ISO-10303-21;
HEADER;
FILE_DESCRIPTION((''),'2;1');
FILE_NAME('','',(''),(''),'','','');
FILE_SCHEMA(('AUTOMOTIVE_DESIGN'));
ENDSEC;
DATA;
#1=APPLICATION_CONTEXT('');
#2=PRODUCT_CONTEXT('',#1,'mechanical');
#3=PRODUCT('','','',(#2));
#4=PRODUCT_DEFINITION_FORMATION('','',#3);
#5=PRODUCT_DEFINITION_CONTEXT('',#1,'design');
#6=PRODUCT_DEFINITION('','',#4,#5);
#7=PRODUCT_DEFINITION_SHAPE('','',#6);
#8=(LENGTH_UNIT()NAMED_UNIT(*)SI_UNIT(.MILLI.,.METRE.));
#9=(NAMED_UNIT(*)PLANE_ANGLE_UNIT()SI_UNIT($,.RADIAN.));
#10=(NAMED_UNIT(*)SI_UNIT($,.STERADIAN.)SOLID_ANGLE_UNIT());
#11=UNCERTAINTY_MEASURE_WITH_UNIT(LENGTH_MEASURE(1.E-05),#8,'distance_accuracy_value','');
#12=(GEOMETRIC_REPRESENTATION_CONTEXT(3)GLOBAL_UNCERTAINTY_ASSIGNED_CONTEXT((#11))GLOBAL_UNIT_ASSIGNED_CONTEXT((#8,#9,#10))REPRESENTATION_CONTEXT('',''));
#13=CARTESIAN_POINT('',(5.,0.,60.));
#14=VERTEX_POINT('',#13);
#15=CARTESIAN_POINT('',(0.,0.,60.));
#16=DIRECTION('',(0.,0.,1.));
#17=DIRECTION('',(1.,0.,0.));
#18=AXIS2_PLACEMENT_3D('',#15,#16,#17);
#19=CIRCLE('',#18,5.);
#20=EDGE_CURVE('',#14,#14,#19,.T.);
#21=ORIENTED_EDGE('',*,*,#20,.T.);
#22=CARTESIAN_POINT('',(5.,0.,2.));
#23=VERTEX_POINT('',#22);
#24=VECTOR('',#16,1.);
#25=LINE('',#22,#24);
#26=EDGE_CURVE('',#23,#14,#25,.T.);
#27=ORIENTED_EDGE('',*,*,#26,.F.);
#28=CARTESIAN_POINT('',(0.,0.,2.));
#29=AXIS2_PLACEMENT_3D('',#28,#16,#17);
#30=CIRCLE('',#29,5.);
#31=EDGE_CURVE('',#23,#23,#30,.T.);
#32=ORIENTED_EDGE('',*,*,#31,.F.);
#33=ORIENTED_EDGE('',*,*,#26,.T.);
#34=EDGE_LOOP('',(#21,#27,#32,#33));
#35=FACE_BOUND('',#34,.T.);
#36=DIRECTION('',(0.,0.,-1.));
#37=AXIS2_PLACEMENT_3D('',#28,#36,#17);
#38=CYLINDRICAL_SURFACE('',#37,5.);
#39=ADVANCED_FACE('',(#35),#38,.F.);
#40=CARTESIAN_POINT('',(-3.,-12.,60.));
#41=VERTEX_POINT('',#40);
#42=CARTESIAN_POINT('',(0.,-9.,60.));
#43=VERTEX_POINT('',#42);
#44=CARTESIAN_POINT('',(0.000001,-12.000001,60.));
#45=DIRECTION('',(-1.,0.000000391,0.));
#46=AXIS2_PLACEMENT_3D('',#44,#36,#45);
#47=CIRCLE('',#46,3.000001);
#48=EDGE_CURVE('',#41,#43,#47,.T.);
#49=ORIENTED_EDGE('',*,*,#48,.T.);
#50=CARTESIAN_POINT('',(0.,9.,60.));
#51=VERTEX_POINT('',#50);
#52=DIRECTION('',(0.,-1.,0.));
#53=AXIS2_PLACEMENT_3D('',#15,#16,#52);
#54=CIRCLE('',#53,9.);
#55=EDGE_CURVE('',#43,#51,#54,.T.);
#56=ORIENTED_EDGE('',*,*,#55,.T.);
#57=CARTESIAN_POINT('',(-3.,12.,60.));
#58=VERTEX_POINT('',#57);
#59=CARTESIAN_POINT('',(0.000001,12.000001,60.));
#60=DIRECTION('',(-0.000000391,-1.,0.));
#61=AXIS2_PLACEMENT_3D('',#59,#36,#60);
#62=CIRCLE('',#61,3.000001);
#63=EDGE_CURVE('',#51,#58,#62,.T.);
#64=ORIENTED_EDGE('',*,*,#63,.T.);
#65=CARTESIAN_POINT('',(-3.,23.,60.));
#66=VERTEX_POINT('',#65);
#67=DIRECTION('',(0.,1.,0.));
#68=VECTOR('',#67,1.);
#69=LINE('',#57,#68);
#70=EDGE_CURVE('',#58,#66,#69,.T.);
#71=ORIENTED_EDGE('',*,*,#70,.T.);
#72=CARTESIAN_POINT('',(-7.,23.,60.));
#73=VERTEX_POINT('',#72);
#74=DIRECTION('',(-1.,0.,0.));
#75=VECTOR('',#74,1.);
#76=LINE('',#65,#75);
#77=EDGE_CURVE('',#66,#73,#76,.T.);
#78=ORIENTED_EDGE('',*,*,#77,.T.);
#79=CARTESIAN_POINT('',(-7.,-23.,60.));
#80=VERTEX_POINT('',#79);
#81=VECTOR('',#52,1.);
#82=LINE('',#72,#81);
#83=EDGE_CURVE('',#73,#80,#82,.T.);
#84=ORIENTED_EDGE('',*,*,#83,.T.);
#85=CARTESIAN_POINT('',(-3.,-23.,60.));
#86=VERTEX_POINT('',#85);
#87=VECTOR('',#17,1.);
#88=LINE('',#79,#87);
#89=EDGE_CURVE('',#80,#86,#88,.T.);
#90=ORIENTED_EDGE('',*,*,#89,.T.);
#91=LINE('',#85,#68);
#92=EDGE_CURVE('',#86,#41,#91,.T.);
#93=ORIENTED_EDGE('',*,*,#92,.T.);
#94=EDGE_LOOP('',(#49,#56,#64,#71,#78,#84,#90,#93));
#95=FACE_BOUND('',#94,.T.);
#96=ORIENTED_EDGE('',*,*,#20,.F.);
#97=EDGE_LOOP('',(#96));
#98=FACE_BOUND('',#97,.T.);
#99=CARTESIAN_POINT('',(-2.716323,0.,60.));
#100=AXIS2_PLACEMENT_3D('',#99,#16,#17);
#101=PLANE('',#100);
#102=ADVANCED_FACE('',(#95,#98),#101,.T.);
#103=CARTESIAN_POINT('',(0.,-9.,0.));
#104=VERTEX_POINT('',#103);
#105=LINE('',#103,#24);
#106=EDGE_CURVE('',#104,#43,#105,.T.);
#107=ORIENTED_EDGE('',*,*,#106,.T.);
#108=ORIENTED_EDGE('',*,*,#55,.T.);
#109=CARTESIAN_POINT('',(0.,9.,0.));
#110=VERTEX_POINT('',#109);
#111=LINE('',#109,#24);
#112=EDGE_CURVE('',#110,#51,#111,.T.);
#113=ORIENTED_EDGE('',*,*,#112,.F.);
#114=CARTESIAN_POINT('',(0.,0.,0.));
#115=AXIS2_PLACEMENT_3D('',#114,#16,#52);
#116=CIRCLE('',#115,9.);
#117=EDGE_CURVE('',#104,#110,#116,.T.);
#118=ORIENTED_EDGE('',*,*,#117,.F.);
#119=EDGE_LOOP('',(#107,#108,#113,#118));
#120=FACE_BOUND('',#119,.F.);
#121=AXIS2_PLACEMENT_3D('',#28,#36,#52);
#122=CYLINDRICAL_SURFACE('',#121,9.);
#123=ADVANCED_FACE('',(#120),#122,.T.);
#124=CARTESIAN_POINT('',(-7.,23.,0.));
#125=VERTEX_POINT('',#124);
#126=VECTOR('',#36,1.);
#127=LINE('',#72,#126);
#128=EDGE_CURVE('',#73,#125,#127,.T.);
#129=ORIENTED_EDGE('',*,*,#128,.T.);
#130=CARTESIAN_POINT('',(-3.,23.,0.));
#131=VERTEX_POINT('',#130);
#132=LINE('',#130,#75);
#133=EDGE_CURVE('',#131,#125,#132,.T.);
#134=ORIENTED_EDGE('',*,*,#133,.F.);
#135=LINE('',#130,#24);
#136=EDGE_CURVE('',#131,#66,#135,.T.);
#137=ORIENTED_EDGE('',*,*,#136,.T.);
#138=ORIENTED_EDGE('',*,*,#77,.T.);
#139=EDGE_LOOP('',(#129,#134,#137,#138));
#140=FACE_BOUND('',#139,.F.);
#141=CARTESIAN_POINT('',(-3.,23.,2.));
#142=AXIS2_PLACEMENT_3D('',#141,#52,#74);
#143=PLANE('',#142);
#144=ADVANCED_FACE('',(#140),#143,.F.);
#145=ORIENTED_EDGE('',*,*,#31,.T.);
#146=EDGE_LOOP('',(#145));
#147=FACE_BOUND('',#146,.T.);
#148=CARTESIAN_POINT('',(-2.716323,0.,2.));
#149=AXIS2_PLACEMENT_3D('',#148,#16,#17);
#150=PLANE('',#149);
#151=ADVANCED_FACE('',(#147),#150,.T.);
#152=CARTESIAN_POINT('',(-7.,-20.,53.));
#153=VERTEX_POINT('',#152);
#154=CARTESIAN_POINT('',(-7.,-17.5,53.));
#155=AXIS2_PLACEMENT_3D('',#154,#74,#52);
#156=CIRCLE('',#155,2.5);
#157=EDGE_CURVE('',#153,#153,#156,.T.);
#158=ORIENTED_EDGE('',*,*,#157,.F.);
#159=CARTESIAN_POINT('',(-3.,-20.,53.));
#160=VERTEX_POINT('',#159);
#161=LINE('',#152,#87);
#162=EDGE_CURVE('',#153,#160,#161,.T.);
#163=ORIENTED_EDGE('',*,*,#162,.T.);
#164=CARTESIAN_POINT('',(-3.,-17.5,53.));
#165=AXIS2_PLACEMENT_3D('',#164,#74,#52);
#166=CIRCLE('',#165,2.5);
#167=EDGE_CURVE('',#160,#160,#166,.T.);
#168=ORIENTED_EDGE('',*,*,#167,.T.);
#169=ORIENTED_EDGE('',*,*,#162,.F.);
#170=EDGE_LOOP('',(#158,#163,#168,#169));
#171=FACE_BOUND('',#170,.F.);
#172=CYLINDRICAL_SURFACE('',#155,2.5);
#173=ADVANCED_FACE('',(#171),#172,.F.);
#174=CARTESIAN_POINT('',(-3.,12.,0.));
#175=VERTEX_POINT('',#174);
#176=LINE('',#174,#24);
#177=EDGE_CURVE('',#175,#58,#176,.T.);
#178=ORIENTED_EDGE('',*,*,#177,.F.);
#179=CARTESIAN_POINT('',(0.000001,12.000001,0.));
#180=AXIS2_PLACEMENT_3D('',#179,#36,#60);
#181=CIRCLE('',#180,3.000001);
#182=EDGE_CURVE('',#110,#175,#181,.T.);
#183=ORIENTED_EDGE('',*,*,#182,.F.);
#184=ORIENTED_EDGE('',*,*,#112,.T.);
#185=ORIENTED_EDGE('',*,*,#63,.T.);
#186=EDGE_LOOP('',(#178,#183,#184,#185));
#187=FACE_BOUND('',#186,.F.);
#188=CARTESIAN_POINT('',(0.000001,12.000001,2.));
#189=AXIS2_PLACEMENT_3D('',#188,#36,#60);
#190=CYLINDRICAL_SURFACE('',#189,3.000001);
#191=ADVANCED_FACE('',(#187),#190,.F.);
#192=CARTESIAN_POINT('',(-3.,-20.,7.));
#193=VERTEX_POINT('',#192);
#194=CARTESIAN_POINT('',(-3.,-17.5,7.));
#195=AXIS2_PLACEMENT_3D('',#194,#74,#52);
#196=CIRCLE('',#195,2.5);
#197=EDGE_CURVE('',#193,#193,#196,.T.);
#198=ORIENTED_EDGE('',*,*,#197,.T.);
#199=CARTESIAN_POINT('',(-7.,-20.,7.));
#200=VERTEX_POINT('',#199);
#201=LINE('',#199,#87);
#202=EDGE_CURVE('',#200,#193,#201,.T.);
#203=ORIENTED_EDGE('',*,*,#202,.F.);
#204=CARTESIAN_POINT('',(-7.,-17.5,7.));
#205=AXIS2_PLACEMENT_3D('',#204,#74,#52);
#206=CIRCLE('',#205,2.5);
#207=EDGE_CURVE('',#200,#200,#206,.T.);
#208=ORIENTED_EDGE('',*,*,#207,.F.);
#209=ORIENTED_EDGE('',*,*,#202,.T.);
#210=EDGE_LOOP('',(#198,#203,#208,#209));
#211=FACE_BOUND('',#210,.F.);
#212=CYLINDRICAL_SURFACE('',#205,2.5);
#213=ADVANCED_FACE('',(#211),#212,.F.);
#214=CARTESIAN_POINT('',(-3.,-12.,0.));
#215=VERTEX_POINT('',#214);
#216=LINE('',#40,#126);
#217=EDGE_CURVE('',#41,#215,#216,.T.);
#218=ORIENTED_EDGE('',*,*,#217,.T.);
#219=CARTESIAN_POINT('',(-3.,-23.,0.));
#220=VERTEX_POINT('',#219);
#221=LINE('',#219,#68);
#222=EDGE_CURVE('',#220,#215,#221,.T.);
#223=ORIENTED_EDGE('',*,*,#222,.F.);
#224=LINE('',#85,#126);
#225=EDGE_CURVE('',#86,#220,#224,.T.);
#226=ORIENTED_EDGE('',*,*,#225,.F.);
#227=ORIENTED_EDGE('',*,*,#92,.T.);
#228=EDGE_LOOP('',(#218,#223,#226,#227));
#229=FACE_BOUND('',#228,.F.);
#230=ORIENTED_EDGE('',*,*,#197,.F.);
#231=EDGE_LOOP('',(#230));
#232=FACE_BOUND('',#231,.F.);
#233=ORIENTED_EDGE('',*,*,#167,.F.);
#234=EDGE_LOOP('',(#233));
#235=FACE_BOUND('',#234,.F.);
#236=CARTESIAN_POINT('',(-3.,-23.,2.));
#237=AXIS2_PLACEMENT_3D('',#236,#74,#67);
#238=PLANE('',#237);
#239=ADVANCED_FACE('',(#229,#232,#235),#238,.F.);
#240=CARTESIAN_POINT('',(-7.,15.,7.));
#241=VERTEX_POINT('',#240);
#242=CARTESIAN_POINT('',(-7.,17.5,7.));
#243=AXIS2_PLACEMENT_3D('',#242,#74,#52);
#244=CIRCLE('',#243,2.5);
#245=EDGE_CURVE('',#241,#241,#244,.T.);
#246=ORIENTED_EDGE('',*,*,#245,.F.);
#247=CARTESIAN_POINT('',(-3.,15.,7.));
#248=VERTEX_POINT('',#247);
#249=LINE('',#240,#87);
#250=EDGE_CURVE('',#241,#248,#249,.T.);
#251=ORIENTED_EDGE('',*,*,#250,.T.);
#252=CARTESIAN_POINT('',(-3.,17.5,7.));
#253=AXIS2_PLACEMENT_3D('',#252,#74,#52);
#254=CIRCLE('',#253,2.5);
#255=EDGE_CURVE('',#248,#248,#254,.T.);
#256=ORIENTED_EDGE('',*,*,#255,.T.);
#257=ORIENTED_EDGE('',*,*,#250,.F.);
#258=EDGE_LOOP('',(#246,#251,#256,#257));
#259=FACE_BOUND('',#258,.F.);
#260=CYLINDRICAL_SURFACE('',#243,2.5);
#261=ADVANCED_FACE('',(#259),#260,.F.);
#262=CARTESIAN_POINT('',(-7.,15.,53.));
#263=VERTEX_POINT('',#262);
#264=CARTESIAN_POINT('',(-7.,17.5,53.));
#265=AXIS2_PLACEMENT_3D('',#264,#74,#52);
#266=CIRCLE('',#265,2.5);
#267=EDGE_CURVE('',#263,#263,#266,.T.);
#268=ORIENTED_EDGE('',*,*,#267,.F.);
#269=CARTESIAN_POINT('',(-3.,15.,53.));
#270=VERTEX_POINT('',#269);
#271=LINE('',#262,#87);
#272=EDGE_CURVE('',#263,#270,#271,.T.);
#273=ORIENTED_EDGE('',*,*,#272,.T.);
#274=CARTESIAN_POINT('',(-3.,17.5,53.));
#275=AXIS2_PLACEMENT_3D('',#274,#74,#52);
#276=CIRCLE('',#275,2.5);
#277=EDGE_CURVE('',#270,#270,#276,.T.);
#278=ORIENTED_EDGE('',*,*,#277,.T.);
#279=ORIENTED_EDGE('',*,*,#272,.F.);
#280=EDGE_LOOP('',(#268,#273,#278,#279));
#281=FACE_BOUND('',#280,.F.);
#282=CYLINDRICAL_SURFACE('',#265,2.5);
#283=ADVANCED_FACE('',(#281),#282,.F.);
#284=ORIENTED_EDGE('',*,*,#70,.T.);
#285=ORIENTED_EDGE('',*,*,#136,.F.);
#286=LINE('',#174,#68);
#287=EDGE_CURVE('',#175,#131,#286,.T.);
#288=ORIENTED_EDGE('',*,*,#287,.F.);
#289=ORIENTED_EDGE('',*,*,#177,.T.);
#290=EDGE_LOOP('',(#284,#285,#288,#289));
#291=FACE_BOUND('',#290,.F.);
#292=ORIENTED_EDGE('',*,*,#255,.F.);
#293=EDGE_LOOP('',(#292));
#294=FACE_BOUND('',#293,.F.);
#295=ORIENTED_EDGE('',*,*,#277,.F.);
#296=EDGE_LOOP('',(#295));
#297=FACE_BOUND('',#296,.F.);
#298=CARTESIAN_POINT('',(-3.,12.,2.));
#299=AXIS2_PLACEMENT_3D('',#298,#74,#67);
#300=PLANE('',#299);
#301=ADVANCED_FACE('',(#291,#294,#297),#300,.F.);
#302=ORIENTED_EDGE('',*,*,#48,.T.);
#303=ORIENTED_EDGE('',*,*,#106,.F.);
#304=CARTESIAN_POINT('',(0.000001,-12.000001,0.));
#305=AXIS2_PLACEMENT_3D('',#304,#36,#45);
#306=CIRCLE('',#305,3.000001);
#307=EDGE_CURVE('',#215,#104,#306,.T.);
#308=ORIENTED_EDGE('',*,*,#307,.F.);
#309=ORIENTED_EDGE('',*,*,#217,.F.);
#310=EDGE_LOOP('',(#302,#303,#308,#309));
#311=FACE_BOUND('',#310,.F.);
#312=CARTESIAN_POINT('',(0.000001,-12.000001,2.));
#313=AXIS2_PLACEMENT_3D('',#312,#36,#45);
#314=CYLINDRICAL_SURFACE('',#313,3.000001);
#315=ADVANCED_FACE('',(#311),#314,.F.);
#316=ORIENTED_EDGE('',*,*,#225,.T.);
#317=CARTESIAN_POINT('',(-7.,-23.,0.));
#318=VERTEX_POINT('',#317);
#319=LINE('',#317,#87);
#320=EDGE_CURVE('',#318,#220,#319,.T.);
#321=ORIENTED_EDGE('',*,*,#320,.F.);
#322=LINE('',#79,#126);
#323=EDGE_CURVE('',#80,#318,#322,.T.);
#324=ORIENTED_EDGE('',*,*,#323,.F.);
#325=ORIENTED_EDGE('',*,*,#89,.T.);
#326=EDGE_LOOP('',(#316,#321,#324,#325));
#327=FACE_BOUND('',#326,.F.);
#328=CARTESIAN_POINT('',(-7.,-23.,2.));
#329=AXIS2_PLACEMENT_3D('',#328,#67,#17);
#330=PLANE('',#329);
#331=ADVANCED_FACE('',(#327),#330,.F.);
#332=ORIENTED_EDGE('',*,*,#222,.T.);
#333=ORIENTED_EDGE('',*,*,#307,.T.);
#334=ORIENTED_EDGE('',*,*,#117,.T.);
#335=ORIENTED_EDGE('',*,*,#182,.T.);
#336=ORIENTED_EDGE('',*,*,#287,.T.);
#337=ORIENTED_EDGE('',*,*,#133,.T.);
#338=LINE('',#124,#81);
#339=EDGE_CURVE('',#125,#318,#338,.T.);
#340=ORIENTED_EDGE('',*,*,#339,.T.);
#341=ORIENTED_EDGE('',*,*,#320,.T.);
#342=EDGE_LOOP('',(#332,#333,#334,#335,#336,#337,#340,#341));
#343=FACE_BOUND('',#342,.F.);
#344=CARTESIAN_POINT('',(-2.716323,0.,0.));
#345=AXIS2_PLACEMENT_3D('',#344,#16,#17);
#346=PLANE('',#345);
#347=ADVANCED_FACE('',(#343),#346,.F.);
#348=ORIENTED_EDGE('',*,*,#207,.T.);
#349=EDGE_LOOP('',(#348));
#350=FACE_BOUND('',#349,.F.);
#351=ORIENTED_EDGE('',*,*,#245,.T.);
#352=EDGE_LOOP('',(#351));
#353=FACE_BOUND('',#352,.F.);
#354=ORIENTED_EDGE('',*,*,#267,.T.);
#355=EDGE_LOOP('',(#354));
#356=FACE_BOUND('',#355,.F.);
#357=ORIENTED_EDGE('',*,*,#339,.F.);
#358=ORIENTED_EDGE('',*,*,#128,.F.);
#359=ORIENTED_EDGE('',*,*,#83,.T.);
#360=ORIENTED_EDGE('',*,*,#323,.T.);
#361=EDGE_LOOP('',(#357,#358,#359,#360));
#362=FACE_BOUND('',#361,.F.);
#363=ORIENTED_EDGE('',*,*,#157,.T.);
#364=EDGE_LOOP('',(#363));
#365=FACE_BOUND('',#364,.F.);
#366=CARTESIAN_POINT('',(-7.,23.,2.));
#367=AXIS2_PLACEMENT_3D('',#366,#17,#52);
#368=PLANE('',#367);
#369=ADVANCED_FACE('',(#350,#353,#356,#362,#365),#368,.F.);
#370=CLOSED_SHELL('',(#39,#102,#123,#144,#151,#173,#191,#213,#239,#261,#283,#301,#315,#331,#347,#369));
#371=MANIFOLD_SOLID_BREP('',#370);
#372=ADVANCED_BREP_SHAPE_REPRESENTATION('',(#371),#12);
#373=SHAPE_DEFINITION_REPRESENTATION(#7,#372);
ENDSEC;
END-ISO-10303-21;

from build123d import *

# Parameters (mm, degrees)
F0_R     = 5
F1_DEPTH = 2
F2_R     = 5
F3_DEPTH = 58
F4_R     = 2.5
F5_DEPTH = 10


with BuildPart() as f1:
    # F0 (on Top) → F1 (new body)
    with BuildSketch(Plane.XY):
        with BuildLine():
            ThreePointArc((-3, -12), (-2.12132, -9.87868), (0, -9))
            ThreePointArc((0, -9), (9, 0), (0, 9))
            ThreePointArc((0, 9), (-2.12132, 9.87868), (-3, 12))
            Line((-3, 12), (-3, 23))
            Line((-3, 23), (-7, 23))
            Line((-7, 23), (-7, -23))
            Line((-7, -23), (-3, -23))
            Line((-3, -23), (-3, -12))
        make_face()
        Circle(F0_R, mode=Mode.SUBTRACT)
        Circle(F0_R)
    extrude(amount=F1_DEPTH)

    # F2 (on face) → F3 (join)
    with BuildSketch(Plane.XY.offset(2)):
        with BuildLine():
            ThreePointArc((-3, -12), (-2.12132, -9.87868), (0, -9))
            ThreePointArc((0, -9), (9, 0), (0, 9))
            ThreePointArc((0, 9), (-2.12132, 9.87868), (-3, 12))
            Line((-3, 12), (-3, 23))
            Line((-3, 23), (-7, 23))
            Line((-7, 23), (-7, -23))
            Line((-7, -23), (-3, -23))
            Line((-3, -23), (-3, -12))
        make_face()
        with Locations((0, 0)):
            Circle(F2_R, mode=Mode.SUBTRACT)
    extrude(amount=F3_DEPTH)

    # F4 (on face) → F5 (cut)
    with BuildSketch(Plane(origin=(-7, 0, 0), x_dir=(0, -1, 0), z_dir=(-1, 0, 0))):
        with Locations((-17.5, 53)):
            Circle(F4_R)
        with Locations((17.5, 7)):
            Circle(F4_R)
        with Locations((-17.5, 7)):
            Circle(F4_R)
        with Locations((17.5, 53)):
            Circle(F4_R)
    extrude(amount=-F5_DEPTH, mode=Mode.SUBTRACT)


solid = f1.part
